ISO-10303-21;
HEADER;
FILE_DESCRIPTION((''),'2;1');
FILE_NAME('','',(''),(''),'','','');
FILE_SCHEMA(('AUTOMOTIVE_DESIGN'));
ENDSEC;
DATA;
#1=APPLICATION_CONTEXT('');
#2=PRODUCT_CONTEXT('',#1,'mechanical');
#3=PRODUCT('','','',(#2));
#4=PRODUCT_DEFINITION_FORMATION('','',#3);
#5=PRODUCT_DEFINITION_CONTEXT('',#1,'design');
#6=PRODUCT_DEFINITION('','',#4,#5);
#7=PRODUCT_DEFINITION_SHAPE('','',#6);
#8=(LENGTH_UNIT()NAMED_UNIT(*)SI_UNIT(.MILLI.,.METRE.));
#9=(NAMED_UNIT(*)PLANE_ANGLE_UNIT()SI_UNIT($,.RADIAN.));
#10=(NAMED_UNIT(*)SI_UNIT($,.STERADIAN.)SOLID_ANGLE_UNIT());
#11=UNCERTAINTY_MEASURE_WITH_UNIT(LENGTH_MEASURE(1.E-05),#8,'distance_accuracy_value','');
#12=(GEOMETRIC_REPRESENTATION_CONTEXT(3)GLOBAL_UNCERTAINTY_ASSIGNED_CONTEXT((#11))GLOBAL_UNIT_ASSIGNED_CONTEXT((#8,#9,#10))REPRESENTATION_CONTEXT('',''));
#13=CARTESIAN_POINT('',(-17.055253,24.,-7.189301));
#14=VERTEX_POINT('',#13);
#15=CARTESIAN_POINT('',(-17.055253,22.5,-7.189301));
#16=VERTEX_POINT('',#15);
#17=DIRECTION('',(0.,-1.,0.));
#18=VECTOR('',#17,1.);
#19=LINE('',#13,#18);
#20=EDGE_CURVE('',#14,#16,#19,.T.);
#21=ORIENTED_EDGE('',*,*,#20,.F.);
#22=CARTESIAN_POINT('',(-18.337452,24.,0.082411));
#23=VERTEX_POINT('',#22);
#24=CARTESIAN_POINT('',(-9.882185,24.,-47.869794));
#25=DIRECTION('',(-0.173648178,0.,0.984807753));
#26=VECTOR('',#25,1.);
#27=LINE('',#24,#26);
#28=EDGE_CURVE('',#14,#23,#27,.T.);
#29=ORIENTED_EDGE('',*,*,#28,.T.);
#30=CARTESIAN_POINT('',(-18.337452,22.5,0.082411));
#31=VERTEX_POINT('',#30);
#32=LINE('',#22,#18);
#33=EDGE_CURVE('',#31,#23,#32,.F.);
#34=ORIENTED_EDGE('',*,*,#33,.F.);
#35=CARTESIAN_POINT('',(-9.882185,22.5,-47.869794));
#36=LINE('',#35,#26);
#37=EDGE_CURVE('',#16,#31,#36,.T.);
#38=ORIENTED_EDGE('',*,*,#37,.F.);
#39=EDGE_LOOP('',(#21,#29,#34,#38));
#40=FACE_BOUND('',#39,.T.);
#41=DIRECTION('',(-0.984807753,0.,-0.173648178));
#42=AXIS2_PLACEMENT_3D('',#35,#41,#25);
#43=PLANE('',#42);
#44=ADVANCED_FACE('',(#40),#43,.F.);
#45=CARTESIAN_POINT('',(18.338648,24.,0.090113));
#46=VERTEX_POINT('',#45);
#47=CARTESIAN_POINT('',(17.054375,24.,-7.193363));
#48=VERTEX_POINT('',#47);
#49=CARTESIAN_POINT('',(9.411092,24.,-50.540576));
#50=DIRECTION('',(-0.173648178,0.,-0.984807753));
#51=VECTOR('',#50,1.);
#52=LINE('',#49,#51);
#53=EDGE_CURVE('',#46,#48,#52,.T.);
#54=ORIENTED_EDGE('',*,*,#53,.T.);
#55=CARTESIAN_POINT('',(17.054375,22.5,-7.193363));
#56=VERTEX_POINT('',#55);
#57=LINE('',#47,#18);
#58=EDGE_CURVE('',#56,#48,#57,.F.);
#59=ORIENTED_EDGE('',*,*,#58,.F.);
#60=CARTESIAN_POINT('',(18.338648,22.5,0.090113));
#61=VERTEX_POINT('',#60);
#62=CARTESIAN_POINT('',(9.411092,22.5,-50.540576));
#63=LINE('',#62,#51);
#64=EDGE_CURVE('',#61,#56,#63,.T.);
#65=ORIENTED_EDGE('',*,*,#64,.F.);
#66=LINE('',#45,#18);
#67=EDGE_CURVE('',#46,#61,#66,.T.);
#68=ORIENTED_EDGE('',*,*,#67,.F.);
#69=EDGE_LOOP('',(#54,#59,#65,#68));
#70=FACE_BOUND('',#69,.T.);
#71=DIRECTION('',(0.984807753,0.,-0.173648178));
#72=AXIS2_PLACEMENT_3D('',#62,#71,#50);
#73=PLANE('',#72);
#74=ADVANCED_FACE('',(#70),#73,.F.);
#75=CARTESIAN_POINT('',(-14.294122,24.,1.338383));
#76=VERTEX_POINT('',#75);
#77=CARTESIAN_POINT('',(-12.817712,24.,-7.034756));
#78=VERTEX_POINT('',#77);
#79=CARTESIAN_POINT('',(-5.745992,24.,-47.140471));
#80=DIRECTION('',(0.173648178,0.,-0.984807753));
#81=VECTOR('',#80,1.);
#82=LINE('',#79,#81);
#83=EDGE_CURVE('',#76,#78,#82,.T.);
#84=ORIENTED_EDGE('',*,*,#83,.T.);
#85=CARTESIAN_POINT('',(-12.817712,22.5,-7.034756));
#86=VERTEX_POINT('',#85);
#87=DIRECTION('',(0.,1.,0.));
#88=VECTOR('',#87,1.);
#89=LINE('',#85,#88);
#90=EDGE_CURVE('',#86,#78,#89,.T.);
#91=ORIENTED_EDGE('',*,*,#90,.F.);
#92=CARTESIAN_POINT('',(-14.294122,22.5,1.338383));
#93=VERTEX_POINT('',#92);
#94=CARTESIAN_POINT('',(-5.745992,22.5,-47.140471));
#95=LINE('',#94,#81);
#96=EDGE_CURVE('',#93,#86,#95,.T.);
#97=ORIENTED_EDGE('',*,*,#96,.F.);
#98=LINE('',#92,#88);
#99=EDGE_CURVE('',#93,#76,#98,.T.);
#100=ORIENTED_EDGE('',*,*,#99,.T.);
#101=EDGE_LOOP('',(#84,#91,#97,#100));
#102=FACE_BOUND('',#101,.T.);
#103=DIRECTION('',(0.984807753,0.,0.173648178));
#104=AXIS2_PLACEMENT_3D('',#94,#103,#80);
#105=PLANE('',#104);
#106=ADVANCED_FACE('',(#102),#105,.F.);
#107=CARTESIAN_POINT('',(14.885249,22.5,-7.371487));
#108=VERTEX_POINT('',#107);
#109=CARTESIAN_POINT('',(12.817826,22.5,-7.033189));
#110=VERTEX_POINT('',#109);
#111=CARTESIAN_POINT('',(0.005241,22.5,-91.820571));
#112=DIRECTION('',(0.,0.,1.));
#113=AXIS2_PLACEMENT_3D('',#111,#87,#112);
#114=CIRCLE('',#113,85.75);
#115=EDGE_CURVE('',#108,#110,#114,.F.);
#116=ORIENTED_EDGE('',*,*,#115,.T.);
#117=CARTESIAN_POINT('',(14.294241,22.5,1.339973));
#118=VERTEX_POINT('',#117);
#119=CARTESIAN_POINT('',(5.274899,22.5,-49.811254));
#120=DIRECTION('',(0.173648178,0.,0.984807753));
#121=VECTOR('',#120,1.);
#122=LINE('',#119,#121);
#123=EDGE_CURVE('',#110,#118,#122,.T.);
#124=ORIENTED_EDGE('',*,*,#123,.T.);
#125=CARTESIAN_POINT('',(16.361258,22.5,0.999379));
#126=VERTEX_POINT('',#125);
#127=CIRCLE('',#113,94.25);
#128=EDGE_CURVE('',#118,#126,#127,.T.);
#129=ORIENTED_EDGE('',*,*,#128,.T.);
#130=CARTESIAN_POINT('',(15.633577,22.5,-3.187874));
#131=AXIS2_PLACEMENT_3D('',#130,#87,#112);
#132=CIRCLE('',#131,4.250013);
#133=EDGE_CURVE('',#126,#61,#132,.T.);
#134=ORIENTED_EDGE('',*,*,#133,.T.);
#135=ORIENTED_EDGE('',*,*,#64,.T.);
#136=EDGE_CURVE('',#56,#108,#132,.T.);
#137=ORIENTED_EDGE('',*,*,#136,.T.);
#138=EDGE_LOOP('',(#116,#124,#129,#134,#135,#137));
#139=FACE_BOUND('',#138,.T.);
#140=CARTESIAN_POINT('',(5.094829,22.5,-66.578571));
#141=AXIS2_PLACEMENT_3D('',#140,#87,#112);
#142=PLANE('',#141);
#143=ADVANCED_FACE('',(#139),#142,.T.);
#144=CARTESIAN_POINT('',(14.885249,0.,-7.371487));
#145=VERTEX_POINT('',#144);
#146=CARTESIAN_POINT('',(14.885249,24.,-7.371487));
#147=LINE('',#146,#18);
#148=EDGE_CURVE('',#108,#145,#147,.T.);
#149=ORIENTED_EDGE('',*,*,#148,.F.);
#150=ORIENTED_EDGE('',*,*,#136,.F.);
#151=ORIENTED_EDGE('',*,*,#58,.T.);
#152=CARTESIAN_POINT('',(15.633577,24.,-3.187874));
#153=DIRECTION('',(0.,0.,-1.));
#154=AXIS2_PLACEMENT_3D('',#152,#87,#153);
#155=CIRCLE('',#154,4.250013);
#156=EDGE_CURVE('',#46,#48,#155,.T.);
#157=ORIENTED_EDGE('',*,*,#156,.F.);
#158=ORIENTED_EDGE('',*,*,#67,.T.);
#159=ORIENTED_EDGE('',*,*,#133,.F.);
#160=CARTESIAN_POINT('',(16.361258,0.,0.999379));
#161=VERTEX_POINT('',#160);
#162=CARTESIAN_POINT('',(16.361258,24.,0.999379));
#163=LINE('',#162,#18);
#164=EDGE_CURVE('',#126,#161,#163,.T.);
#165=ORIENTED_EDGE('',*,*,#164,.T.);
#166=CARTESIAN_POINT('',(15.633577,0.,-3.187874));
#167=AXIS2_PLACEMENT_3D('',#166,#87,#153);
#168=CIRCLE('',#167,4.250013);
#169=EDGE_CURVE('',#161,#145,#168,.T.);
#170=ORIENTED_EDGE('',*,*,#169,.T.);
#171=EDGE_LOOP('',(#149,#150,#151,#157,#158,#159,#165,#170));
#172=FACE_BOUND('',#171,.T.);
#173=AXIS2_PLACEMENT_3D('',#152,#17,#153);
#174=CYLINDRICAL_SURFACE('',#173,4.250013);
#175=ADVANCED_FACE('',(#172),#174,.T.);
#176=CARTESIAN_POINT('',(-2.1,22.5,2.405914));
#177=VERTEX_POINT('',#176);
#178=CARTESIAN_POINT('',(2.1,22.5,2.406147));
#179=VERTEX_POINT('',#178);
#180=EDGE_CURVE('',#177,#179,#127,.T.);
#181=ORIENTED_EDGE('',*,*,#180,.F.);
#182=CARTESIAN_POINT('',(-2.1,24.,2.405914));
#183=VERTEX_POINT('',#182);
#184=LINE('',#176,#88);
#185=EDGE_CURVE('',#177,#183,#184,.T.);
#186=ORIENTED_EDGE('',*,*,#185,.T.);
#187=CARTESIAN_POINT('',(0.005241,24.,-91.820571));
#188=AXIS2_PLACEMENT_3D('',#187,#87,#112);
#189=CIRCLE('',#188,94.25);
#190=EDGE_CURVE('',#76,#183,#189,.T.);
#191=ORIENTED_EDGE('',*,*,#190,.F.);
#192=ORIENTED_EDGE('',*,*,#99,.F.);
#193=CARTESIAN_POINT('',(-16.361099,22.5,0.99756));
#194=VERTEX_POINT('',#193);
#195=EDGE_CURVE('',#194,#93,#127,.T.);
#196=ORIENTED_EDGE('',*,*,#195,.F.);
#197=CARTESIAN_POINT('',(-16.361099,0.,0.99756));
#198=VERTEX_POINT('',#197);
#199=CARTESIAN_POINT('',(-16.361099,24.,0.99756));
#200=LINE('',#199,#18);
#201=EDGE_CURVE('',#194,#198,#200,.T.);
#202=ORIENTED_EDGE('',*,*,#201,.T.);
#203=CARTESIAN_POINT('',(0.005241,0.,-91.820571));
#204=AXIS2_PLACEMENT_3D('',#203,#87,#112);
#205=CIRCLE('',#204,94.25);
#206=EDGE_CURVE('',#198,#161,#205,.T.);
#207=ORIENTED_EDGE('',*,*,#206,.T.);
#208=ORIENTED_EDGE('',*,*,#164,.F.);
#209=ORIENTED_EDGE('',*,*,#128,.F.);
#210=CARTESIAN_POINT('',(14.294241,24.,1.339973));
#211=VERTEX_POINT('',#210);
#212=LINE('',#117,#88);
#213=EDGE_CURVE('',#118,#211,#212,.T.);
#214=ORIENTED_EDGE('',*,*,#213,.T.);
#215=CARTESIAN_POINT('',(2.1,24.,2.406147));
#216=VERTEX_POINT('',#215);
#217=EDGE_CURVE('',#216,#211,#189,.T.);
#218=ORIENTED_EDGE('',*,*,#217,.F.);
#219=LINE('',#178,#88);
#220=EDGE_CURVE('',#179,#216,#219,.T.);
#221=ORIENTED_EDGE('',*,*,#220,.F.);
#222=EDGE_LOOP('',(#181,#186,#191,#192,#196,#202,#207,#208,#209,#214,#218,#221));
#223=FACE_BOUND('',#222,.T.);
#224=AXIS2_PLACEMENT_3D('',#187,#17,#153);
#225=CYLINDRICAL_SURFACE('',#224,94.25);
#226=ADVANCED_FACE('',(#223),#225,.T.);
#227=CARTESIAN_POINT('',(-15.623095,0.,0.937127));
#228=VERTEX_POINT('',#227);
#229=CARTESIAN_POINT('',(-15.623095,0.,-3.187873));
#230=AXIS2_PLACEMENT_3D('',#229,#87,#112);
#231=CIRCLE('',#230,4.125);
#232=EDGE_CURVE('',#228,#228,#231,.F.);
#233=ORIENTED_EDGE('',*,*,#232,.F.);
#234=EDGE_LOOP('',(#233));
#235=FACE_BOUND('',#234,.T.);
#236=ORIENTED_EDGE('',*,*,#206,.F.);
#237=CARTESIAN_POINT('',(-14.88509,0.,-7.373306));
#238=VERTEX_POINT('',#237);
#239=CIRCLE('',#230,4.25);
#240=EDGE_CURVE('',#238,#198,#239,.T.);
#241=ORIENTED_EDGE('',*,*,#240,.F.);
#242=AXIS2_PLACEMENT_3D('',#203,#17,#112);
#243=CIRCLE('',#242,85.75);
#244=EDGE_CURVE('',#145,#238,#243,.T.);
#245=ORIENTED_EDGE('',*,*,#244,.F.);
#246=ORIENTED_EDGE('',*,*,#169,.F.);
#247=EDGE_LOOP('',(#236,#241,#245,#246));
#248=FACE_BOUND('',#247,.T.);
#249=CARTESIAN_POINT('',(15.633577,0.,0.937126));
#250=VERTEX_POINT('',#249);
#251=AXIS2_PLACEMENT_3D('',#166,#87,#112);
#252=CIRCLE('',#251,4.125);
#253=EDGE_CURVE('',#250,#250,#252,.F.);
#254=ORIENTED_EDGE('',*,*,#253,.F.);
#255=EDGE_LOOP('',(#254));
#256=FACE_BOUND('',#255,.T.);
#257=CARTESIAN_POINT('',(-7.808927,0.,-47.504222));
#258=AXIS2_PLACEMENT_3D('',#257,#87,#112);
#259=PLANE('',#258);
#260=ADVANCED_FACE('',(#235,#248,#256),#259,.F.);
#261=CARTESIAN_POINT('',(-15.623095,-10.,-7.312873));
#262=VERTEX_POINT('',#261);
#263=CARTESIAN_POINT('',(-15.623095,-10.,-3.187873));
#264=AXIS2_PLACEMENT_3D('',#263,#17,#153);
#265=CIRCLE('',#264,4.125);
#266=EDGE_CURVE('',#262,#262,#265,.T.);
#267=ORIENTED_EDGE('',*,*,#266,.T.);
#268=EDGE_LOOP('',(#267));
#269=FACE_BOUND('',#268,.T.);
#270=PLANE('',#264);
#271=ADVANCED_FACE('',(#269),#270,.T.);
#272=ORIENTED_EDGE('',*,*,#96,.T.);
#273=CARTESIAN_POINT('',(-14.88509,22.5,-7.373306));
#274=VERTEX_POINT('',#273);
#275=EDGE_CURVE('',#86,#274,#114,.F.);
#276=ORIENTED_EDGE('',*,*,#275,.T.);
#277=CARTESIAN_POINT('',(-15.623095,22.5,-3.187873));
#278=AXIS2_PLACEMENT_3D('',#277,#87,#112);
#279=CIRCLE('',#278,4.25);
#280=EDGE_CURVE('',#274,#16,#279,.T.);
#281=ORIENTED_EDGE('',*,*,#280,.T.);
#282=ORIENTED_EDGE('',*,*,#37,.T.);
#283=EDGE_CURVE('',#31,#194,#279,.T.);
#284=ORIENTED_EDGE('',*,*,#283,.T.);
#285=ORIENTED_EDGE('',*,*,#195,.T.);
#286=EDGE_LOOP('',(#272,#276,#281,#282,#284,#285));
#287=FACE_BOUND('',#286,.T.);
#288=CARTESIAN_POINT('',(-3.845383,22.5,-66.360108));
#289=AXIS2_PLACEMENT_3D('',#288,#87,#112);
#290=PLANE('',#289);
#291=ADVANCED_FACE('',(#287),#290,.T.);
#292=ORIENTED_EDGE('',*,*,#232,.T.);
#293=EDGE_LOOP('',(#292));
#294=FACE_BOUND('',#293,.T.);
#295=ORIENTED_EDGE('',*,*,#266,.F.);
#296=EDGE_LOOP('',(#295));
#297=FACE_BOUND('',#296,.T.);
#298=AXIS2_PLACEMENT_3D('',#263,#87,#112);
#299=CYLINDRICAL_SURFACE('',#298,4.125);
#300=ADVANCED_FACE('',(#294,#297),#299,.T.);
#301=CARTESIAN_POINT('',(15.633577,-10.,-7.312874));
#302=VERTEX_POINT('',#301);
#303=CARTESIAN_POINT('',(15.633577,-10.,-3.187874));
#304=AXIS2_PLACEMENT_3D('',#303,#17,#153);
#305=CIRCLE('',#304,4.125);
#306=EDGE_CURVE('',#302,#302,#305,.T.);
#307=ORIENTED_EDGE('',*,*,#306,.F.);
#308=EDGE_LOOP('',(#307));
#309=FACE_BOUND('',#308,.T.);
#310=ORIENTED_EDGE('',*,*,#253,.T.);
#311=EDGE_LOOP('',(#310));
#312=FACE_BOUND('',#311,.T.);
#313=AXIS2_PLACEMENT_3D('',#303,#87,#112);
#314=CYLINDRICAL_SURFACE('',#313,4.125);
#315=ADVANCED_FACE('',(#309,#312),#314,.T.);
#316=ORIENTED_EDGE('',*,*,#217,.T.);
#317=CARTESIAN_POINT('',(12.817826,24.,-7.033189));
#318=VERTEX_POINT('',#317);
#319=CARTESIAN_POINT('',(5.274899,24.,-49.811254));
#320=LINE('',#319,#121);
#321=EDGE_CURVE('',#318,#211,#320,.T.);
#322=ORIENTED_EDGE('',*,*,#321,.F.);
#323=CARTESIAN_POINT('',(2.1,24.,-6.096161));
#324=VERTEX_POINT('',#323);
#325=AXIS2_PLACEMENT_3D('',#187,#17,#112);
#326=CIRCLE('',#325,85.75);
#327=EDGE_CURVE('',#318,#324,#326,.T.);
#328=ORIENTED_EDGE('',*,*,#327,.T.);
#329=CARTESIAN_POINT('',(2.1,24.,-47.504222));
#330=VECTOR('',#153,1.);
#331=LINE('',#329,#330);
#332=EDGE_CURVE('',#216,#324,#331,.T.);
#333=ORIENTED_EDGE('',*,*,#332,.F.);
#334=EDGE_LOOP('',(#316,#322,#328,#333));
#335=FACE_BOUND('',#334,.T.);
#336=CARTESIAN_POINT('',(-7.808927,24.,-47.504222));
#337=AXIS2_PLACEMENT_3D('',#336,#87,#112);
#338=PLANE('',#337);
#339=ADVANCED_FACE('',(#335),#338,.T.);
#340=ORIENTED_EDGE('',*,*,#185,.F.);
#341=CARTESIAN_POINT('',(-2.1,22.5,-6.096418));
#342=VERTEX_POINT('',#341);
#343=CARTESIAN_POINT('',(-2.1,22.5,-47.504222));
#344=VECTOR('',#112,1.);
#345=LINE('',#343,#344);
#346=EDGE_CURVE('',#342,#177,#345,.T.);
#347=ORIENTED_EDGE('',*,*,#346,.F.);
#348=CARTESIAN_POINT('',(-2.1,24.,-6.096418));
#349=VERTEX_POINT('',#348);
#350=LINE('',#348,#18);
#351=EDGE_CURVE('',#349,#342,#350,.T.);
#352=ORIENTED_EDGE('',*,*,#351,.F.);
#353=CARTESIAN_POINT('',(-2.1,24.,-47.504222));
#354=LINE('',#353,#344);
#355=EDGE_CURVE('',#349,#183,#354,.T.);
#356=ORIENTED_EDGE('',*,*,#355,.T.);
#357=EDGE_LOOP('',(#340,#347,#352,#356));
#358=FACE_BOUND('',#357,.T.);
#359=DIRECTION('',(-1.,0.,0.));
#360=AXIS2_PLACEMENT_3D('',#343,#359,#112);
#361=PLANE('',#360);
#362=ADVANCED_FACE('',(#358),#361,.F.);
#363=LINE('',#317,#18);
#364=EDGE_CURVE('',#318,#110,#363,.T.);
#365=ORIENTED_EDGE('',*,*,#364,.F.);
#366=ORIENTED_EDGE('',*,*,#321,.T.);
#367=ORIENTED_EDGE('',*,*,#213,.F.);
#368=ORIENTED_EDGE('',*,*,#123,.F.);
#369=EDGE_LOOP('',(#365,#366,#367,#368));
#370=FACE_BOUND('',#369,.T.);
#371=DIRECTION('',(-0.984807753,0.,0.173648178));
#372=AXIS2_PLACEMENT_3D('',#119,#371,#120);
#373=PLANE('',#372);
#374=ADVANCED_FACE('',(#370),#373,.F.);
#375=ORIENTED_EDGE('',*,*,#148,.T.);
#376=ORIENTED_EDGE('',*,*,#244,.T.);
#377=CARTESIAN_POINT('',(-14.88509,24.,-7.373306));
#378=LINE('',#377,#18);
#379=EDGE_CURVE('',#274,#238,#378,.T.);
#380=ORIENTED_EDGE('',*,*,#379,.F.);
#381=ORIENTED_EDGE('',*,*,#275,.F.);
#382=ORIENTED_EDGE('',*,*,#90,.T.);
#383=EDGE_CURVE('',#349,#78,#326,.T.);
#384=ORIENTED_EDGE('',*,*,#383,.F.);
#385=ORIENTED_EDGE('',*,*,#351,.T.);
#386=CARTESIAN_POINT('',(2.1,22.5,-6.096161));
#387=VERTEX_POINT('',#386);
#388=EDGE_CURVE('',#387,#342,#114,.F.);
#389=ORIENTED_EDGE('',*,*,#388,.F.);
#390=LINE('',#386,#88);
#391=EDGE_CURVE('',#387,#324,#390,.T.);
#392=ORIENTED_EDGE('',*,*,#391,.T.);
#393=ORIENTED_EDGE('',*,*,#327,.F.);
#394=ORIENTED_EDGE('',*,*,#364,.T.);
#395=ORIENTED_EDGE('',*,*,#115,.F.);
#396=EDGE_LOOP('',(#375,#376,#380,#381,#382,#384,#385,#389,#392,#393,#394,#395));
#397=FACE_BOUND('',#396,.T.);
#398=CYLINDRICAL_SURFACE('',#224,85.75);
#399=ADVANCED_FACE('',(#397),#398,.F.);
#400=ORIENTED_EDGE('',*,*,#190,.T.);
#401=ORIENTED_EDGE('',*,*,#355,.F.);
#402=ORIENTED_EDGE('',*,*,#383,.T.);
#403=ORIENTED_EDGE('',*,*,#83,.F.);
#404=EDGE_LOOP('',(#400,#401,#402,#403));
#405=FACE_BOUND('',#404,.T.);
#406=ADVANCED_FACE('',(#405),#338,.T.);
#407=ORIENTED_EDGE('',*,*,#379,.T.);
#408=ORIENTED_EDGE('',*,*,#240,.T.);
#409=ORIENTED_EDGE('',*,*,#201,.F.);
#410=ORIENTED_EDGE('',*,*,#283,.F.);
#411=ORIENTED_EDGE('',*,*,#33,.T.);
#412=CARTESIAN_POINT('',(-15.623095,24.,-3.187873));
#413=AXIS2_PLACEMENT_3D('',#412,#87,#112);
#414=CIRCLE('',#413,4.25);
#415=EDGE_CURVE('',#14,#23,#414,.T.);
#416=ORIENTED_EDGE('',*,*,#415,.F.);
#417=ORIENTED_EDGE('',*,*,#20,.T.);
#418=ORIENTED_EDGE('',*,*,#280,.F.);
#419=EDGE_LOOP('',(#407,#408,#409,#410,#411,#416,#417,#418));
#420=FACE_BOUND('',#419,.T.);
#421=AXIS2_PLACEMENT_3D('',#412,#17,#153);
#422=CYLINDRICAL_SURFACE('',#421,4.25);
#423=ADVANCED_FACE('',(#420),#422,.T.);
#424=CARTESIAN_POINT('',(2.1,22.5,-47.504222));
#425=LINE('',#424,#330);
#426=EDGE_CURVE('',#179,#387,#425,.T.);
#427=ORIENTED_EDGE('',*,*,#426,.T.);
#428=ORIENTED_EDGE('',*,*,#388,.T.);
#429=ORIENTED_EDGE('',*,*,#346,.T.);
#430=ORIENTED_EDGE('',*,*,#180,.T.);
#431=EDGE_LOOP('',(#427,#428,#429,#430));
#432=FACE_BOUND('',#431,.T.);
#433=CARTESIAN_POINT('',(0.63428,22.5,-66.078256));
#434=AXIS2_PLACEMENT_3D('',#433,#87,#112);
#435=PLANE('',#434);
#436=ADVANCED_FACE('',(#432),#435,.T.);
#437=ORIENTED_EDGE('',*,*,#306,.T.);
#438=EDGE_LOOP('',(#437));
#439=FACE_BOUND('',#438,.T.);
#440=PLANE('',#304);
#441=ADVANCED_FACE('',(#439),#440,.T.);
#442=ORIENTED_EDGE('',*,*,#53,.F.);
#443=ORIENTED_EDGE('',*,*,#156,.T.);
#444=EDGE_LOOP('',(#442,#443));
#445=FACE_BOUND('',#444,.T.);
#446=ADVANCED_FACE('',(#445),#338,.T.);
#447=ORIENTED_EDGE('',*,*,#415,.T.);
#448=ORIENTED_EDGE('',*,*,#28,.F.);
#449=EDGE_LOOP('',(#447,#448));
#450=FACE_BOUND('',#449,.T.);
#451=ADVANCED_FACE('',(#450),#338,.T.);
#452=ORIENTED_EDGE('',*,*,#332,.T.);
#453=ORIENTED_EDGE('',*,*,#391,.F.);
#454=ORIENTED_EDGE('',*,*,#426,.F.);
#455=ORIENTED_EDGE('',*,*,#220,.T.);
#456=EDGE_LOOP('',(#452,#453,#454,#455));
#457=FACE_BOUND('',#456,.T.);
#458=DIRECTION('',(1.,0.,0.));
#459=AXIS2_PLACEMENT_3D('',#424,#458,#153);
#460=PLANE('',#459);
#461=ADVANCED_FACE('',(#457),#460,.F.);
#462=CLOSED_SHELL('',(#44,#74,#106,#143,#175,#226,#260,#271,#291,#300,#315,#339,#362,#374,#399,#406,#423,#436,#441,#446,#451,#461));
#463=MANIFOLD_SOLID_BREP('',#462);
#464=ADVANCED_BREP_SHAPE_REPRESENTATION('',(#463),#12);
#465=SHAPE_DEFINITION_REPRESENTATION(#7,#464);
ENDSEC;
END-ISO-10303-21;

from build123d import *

# Parameters (mm, degrees)
BOSS_EXTRUDE1_DEPTH             = 24
SKETCH2_R                       = 4.125
BOSS_EXTRUDE2_DEPTH             = 10
CUT_EXTRUDE1_START              = -24
CUT_EXTRUDE1_DEPTH              = 1.5
CIRPATTERN1_COUNT               = 2
CIRPATTERN1_ANGLE               = 10
CIRPATTERN1_THE_OTHER_WAY_COUNT = 2
CIRPATTERN1_THE_OTHER_WAY_ANGLE = 10


with BuildPart() as part:
    # Sketch1 → Boss-Extrude1 (new body)
    with BuildSketch(Plane(origin=(0, 0, 0), x_dir=(1, 0, 0), z_dir=(0, 1, 0))):
        with BuildLine():
            ThreePointArc((-16.361099339, -0.997559555), (0, -2.429428688), (16.361258496, -0.999379302))
            ThreePointArc((16.361258496, -0.999379302), (19.819023, 3.925881002), (14.885248975, 7.371486655))
            ThreePointArc((14.885248975, 7.371486655), (0, 6.070571326), (-14.885089829, 7.373306345))
            ThreePointArc((-14.885089829, 7.373306345), (-19.808527535, 3.92587815), (-16.361099339, -0.997559555))
        make_face()
    extrude(amount=BOSS_EXTRUDE1_DEPTH)

    # Sketch2 → Boss-Extrude2 (add)
    with BuildSketch(Plane.XZ):
        with Locations(Location((-15.623094584, -3.187873395, 0), (0, 0, 90))):
            Circle(SKETCH2_R)
        with Locations(Location((15.633577289, -3.187873997, 0), (0, 0, 90))):
            Circle(SKETCH2_R)
    extrude(amount=BOSS_EXTRUDE2_DEPTH)

    # Sketch4 → Cut-Extrude1 (cut)
    with BuildSketch(Plane.XZ.offset(CUT_EXTRUDE1_START)):
        with BuildLine():
            Line((-2.1, 2.405913745), (-2.1, -6.140590357))
            ThreePointArc((-2.1, -6.140590357), (-0.000388897, -6.081612393), (2.1, -6.096161069))
            Line((2.1, -6.096161069), (2.1, 2.406147372))
            ThreePointArc((2.1, 2.406147372), (-3.4179e-05, 3.020482466), (-2.1, 2.405913745))
        make_face()
    cut_extrude1 = extrude(amount=CUT_EXTRUDE1_DEPTH, mode=Mode.SUBTRACT)

    # CirPattern1: Cut-Extrude1 ×2 about axis
    cirpattern1_axis = Axis((0.005241406, 24, -91.820571166), (0, 1, 0))
    for i in range(1, CIRPATTERN1_COUNT):
        add(cut_extrude1.rotate(cirpattern1_axis, i * CIRPATTERN1_ANGLE / (CIRPATTERN1_COUNT - 1)), mode=Mode.SUBTRACT)

    # CirPattern1 the other way: Cut-Extrude1 ×2 about axis
    cirpattern1_the_other_way_axis = Axis((0.005241406, 24, -91.820571166), (0, -1, 0))
    for i in range(1, CIRPATTERN1_THE_OTHER_WAY_COUNT):
        add(cut_extrude1.rotate(cirpattern1_the_other_way_axis, i * CIRPATTERN1_THE_OTHER_WAY_ANGLE / (CIRPATTERN1_THE_OTHER_WAY_COUNT - 1)), mode=Mode.SUBTRACT)


solid = part.part
